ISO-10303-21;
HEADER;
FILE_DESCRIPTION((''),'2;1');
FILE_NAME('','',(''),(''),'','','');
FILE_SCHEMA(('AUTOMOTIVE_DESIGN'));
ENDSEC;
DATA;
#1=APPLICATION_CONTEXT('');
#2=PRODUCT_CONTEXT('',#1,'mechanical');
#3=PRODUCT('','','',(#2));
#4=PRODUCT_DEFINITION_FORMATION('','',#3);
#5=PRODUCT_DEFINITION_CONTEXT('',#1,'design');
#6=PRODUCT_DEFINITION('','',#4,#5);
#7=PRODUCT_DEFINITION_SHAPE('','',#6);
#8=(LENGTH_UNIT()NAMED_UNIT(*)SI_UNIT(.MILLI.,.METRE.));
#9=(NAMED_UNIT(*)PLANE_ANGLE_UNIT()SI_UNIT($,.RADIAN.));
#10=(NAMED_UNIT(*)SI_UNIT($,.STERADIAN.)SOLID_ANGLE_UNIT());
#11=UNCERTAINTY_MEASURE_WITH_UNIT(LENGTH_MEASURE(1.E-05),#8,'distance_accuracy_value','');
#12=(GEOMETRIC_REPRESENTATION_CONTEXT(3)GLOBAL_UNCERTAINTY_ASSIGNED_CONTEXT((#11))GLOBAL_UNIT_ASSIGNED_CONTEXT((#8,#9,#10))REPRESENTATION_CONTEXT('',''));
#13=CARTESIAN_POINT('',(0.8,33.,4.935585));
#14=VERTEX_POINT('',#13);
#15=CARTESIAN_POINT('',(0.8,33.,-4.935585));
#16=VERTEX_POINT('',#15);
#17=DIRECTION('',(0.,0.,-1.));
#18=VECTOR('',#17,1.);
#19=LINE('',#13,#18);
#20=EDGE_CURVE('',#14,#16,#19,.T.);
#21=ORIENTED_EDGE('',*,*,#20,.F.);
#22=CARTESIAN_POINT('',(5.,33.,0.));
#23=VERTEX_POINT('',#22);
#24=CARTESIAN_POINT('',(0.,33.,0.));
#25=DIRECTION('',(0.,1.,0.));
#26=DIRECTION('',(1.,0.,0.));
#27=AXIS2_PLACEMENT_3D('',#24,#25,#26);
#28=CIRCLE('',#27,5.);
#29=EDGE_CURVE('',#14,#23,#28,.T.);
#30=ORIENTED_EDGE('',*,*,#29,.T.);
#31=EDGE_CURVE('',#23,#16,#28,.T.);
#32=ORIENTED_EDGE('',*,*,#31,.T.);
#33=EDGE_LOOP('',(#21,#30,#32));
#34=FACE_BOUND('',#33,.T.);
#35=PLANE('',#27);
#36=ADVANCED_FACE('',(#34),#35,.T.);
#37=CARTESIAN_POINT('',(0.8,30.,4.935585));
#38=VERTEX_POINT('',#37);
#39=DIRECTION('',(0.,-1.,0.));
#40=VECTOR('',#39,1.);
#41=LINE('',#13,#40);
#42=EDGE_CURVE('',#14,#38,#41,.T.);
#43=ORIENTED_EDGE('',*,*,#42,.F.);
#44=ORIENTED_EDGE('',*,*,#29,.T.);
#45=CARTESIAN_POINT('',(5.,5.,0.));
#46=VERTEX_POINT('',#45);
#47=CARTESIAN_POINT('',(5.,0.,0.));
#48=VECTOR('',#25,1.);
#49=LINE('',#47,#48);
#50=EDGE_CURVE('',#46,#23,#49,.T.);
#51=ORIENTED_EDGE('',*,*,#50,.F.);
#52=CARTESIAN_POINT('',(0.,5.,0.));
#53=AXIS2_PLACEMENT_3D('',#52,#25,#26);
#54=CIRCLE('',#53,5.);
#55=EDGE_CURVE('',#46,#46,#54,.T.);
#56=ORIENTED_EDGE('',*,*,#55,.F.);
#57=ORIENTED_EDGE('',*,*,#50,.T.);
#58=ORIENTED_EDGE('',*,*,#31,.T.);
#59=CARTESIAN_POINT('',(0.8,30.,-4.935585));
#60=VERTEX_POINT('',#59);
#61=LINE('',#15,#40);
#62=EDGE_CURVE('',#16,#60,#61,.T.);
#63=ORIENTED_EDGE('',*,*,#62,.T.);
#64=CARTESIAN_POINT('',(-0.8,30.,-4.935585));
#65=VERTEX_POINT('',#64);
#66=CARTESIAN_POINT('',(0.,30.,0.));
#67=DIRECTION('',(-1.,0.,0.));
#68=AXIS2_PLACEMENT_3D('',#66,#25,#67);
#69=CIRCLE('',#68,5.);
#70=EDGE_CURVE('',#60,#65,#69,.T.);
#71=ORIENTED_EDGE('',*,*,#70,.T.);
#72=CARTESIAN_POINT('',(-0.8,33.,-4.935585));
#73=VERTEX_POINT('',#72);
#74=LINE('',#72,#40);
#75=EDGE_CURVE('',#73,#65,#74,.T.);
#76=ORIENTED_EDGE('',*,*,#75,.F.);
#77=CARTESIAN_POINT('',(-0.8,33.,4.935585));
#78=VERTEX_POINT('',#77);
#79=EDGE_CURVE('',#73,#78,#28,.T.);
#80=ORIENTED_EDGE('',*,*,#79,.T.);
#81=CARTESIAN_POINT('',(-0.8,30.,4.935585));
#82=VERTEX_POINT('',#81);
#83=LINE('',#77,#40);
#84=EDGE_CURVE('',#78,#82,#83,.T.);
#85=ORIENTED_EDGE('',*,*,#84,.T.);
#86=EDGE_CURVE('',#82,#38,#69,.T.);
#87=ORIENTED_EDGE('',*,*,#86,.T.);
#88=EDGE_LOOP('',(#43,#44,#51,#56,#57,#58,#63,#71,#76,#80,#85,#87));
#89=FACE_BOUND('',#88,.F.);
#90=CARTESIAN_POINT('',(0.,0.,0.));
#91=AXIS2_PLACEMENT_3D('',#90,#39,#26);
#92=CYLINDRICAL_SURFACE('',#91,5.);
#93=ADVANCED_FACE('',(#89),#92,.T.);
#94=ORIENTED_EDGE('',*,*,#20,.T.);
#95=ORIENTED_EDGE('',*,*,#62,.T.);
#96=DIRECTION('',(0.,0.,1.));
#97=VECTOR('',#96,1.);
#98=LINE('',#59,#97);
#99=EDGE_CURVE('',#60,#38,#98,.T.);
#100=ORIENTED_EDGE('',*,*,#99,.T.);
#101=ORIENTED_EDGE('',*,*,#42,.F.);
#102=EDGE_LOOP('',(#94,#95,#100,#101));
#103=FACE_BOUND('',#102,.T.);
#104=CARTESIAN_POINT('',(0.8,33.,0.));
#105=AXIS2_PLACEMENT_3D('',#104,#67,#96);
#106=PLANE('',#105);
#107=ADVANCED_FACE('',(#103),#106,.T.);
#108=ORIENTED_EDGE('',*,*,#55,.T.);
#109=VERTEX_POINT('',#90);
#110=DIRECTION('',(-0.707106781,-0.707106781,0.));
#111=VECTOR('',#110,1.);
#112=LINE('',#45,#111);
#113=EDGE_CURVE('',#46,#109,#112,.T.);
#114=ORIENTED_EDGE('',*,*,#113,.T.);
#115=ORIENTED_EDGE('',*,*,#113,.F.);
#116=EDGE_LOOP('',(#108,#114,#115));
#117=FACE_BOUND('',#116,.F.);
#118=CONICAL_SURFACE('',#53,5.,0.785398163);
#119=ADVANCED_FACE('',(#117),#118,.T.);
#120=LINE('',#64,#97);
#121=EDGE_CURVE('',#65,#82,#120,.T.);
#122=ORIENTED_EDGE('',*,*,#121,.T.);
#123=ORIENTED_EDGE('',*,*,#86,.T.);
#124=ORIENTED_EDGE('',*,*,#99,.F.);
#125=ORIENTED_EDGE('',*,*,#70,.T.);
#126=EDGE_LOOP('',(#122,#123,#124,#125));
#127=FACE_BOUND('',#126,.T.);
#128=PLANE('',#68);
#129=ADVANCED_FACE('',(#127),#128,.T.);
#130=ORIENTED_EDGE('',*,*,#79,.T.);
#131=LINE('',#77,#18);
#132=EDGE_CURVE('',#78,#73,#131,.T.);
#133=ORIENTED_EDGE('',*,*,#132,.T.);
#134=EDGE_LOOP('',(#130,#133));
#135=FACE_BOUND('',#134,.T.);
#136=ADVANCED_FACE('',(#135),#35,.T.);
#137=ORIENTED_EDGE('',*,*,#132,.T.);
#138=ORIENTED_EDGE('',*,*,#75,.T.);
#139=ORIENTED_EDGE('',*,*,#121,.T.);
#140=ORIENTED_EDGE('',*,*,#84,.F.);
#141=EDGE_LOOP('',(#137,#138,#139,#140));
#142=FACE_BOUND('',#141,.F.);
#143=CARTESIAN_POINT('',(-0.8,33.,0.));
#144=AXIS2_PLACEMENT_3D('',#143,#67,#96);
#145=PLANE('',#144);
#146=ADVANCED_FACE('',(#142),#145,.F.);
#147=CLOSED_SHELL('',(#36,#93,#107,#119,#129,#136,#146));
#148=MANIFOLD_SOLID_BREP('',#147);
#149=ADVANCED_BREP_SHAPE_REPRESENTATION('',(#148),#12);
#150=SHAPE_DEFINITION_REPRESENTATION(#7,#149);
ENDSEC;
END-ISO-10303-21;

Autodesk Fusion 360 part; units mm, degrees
sketch "Sketch1" plane through (0, 0, 0) normal (0, 1, 0) x (1, 0, 0)
  circle A0 centre (0, 0) radius 5
  dimension "d1" = 10
extrude "Extrude1" add sketch "Sketch1" along normal blind 33
chamfer "Chamfer1" distance 5 angle 45 1 edges at (-4.6616, 0, 1.8081)
ref_plane "WorkPlane1" through (0, 0, -5) normal (0, 0, 1) x (1, 0, 0)
sketch "Sketch2" plane through (0, 0, -5) normal (0, 0, 1) x (1, 0, 0)
sketch "Sketch3" plane through (0, 33, 0) normal (0, 1, 0) x (-1, 0, 0)
  circle A0 centre (0, 0) radius 5
  line L0 (0, 0) -> (0.8, 0)
  line L1 (0, 0) -> (-0.8, 0)
  line L2 (-0.8, 0) -> (-0.8, 5.3819)
  line L3 (0.8, 0) -> (0.8, 5.3174)
  line L4 (0.8, 5.3174) -> (-0.8, 5.3819)
  line L5 (0.8, 0) -> (0.8, -5.6853)
  line L6 (-0.8, 0) -> (-0.8, -5.7176)
  line L7 (-0.8, -5.7176) -> (0.8, -5.6853)
  dimension "d6" = 0.8
  dimension "d7" = 0.8
extrude "Extrude2" cut sketch "Sketch3" against normal blind 3 contours A0 L0 L1 L2 L3 | A0 L0 L1 L5 L6
